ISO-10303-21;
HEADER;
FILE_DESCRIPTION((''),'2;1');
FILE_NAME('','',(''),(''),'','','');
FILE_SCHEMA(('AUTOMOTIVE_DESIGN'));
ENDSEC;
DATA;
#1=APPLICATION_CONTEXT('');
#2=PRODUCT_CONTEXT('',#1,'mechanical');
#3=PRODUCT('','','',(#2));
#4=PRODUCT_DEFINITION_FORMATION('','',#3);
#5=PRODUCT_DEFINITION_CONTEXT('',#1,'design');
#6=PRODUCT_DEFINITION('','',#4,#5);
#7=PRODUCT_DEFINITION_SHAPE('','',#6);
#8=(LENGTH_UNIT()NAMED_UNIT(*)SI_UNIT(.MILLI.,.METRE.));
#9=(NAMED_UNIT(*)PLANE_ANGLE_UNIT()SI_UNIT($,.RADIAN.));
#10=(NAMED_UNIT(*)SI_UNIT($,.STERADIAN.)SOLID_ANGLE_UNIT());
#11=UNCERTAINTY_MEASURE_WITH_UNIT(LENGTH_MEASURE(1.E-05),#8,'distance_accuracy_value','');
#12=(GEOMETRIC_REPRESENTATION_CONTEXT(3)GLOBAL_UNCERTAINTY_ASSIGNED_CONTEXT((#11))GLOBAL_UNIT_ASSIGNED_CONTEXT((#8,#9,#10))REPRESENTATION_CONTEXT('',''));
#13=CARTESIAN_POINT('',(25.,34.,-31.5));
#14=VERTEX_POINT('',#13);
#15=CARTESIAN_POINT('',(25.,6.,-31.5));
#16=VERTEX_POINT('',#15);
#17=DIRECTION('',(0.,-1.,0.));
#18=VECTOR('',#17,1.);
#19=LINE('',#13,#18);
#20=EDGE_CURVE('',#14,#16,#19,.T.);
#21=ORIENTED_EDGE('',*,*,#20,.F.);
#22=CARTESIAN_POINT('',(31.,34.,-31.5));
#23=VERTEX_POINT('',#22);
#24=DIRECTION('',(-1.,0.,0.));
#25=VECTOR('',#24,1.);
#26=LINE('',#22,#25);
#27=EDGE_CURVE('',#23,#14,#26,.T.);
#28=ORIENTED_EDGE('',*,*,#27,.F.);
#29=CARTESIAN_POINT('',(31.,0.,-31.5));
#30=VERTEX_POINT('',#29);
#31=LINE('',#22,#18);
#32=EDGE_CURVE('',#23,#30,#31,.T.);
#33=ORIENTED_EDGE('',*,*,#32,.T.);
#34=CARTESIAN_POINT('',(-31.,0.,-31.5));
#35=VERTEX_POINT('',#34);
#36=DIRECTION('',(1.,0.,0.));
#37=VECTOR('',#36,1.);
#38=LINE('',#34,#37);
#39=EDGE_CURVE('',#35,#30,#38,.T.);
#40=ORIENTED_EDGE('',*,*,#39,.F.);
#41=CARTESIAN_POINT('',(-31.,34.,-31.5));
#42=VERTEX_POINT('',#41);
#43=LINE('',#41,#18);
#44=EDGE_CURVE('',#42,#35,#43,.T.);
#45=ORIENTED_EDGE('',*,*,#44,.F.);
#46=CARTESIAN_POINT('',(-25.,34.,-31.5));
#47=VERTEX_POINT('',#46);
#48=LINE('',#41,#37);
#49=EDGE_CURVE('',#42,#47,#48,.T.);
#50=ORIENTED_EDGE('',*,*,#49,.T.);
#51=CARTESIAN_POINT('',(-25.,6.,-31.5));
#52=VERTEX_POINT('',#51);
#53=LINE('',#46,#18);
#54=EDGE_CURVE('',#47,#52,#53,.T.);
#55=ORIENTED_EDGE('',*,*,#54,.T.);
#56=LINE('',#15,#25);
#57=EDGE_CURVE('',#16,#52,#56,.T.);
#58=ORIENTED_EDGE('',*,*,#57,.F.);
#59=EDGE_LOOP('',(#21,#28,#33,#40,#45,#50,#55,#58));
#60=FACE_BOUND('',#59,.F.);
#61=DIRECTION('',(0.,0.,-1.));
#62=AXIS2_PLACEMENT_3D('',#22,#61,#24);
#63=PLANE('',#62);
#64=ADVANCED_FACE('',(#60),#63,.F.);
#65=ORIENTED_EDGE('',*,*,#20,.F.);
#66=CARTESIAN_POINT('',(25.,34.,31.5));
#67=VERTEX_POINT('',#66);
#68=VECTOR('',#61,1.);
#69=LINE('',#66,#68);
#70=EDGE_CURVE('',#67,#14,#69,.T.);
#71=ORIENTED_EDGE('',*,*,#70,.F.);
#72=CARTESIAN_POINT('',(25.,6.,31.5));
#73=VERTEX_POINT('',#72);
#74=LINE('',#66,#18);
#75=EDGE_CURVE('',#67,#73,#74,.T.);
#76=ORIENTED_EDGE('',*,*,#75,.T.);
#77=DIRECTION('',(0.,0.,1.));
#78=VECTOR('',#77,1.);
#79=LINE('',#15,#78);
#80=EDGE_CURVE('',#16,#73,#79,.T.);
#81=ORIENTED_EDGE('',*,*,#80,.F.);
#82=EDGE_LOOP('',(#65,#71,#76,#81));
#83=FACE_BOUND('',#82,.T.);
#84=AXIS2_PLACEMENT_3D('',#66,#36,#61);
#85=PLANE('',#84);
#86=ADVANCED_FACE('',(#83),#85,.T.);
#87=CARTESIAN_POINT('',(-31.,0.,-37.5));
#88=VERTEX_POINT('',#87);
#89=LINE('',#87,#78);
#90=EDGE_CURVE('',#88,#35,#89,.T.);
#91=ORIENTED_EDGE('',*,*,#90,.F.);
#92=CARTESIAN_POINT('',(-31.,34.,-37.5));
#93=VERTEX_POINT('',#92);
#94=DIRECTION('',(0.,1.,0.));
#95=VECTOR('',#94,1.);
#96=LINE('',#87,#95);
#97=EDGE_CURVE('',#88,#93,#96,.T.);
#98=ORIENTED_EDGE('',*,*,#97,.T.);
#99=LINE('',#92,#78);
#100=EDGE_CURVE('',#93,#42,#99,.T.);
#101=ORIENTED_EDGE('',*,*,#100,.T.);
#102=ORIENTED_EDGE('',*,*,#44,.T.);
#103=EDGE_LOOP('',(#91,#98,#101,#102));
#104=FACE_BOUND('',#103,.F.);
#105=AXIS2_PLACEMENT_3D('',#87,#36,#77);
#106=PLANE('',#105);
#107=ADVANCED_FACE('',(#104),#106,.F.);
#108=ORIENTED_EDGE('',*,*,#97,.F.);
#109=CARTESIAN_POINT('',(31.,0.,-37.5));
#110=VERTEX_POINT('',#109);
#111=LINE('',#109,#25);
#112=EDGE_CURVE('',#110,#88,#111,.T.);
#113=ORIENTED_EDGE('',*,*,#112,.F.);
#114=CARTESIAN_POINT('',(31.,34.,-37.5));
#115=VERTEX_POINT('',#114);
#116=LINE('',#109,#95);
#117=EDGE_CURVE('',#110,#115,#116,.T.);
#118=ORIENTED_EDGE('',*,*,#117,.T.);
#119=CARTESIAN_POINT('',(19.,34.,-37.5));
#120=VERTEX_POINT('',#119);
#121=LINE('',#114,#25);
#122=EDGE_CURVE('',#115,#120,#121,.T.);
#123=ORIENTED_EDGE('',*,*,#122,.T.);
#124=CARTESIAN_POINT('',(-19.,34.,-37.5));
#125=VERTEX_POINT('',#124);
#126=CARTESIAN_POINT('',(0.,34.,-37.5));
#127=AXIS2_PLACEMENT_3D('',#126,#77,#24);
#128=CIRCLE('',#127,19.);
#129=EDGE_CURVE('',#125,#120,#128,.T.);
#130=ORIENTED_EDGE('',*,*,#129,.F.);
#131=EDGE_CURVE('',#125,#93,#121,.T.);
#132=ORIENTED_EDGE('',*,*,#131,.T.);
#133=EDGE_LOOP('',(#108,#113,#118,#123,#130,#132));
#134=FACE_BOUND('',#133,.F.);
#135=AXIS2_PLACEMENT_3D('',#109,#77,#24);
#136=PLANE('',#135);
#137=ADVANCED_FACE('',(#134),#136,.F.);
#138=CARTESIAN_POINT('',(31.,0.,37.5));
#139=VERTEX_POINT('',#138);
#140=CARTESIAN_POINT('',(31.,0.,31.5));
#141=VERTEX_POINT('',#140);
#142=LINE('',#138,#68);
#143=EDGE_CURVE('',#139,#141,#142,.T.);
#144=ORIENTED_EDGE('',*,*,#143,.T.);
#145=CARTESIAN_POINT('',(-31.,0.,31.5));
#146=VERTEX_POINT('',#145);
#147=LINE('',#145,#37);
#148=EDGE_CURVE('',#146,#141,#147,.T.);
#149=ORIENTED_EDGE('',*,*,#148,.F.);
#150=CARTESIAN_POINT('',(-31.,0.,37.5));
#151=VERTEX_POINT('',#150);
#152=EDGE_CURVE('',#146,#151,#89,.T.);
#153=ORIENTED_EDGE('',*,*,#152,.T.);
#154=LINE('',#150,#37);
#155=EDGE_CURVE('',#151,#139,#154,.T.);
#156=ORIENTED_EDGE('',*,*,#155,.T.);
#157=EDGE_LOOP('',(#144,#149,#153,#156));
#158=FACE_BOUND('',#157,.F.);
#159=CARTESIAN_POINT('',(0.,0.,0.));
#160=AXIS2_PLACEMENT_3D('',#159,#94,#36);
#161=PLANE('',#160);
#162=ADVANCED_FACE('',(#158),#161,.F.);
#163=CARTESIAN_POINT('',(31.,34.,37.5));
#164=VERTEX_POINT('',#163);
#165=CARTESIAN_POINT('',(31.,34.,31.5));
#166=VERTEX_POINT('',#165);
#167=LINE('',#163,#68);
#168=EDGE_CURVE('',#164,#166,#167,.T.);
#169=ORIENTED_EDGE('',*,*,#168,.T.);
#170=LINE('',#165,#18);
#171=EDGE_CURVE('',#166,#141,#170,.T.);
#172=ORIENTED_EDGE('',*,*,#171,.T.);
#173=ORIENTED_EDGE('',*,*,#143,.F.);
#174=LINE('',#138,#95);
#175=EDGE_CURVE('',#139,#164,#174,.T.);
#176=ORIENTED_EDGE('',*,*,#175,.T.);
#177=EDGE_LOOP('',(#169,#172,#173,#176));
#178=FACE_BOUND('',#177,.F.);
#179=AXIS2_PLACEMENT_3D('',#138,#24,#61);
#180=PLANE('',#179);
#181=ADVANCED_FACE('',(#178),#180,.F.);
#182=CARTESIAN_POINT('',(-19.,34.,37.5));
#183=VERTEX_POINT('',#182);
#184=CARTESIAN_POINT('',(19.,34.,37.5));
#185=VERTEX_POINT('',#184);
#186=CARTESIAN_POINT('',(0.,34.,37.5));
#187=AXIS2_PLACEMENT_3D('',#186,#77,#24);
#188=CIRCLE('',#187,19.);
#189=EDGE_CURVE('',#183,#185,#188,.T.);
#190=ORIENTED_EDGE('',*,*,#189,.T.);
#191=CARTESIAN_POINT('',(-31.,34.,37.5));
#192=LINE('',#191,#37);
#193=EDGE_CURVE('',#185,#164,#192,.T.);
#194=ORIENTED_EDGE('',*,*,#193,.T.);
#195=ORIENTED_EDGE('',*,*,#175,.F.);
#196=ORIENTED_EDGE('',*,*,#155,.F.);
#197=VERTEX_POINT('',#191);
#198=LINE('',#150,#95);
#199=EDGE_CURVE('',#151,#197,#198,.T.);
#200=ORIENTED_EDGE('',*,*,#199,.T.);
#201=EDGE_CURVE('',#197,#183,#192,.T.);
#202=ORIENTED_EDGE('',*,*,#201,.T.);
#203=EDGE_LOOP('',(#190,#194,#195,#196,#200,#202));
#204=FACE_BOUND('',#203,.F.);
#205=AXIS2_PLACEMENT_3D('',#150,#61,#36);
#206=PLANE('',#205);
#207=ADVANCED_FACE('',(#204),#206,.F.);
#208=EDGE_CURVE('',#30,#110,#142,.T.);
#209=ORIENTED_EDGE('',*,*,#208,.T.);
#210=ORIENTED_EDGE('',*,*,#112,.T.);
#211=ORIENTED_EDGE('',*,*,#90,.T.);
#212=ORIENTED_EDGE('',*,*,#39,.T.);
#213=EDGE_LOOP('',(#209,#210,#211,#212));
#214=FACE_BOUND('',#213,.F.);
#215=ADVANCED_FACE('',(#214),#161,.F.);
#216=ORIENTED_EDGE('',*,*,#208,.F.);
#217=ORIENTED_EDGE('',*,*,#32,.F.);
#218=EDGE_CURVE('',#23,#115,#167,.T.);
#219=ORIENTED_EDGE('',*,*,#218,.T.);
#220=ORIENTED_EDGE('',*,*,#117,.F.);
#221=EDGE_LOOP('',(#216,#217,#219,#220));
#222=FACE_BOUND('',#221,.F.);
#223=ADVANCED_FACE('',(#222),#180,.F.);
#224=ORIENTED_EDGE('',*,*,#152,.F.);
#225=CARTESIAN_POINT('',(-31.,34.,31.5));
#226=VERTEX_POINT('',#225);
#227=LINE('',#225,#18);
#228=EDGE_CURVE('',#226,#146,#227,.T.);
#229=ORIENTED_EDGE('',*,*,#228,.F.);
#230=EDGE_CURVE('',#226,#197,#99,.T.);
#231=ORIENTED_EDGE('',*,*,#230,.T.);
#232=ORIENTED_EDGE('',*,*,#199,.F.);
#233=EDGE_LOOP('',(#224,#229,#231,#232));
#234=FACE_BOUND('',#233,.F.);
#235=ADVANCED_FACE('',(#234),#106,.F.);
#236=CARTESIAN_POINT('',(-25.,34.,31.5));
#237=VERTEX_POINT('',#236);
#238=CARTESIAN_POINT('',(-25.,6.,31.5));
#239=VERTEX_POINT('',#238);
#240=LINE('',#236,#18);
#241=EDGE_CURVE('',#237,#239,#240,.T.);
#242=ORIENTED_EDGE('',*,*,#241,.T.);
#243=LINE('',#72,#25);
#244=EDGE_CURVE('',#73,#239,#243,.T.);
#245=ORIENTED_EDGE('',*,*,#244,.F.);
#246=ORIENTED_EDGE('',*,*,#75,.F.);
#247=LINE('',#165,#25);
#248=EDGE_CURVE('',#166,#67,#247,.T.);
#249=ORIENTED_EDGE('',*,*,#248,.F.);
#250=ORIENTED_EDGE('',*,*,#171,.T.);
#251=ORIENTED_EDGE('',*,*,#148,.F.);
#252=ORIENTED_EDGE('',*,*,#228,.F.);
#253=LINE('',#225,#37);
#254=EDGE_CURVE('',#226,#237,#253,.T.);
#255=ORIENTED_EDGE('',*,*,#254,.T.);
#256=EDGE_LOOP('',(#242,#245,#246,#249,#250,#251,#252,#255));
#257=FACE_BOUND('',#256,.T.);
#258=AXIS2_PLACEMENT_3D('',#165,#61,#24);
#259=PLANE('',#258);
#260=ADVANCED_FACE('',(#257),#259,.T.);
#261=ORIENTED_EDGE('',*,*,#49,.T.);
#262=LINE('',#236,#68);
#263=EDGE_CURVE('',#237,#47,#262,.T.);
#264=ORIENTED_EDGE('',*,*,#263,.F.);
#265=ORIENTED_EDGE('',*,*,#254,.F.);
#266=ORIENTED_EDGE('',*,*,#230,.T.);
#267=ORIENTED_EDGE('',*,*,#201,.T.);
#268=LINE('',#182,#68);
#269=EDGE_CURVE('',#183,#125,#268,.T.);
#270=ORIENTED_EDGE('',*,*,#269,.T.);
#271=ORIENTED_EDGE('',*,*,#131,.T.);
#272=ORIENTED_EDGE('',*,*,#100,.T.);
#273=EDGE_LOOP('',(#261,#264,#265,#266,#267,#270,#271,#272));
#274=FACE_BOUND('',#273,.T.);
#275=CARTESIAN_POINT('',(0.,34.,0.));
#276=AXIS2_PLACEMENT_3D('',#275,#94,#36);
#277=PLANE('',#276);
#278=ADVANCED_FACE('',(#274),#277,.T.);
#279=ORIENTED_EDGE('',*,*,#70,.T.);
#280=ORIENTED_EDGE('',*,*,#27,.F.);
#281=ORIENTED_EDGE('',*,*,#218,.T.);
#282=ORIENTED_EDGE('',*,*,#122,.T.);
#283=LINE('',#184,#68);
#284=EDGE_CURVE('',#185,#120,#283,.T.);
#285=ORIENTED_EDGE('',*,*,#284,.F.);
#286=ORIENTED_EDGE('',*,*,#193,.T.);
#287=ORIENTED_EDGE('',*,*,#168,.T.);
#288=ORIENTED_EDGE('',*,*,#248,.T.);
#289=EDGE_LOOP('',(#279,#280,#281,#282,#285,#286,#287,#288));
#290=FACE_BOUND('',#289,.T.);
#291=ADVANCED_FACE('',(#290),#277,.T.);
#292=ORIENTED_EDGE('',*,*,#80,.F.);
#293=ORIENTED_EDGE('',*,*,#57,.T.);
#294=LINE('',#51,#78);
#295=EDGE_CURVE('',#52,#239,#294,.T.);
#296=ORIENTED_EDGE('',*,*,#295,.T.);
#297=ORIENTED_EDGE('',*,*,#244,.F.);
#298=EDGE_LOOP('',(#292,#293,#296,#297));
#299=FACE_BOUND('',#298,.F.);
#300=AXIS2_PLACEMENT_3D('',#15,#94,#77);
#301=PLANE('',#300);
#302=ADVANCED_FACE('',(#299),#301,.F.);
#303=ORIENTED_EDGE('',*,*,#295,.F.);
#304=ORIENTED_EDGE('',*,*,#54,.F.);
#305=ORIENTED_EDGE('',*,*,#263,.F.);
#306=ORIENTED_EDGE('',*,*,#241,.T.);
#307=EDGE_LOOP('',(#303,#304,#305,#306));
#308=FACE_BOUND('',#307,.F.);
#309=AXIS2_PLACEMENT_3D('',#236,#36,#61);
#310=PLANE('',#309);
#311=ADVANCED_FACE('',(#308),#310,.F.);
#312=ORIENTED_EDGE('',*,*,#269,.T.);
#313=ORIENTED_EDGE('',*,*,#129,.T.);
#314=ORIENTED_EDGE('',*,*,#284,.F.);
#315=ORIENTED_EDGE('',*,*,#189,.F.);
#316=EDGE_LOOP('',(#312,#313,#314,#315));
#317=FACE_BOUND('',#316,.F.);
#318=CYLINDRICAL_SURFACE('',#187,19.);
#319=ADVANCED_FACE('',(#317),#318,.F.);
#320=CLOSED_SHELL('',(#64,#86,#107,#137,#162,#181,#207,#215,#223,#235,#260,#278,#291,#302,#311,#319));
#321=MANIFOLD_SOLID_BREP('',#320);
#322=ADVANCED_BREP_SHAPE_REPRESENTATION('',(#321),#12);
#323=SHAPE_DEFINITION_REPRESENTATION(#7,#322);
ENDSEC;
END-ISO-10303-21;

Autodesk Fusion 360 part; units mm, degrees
sketch "Sketch1" plane through (0, 0, 0) normal (0, 1, 0) x (1, 0, 0)
  line L0 (31, 37.5) -> (-31, 37.5)
  line L1 (-31, 37.5) -> (-31, -37.5)
  line L2 (-31, -37.5) -> (31, -37.5)
  line L3 (31, -37.5) -> (31, 37.5)
extrude "Extrude1" add sketch "Sketch1" along normal blind 34
sketch "Sketch2" plane through (0, 0, 37.5) normal (0, 0, 1) x (-1, 0, 0)
  line L0 (31, 0) -> (-31, 0)
  line L1 (-31, 0) -> (-31, -34)
  line L2 (-31, -34) -> (31, -34)
  line L3 (31, -34) -> (31, 0)
  arc A0 (19, -34) -> (-19, -34) centre (0, -34) ccw
  line L4 (19, -34) -> (-19, -34)
  dimension "d7" = 38
extrude "Extrude2" cut sketch "Sketch2" against normal blind 75 contours L2 A0 L4
sketch "Sketch3" plane through (0, 34, 0) normal (0, 1, 0) x (-1, 0, 0)
  line L0 (19, 37.5) -> (19, -37.5)
  line L1 (19, -37.5) -> (31, -37.5)
  line L2 (31, -37.5) -> (31, 37.5)
  line L3 (31, 37.5) -> (19, 37.5)
  line L4 (31, -37.5) -> (31, -31.5)
  line L5 (31, -31.5) -> (25, -31.5)
  line L6 (31, 37.5) -> (31, 31.5)
  line L7 (31, 31.5) -> (25, 31.5)
  line L8 (25, 31.5) -> (25, -31.5)
  line L9 (0.133, -37.5) -> (0.133, 37.506)
  line L10 (-30.734, -31.5) -> (-24.734, -31.5)
  line L11 (-24.734, 31.5) -> (-24.734, -31.5)
  line L12 (-30.734, 31.5) -> (-24.734, 31.5)
  dimension "d10" = 6
  dimension "d11" = 6
  dimension "d12" = 6
  dimension "d13" = 6
extrude "Extrude3" cut sketch "Sketch3" against normal blind 34 contours L2 L5 L7 L8
sketch "Sketch4" plane through (0, 34, 0) normal (0, 1, 0) x (-1, 0, 0)
  line L0 (-19, -37.5) -> (-19, 37.5)
  line L1 (-19, 37.5) -> (-31, 37.5)
  line L2 (-31, 37.5) -> (-31, -37.5)
  line L3 (-31, -37.5) -> (-19, -37.5)
  line L4 (-31, -37.5) -> (-31, -31.5)
  line L5 (-31, -31.5) -> (-25, -31.5)
  line L6 (-31, 37.5) -> (-31, 31.5)
  line L7 (-31, 31.5) -> (-25, 31.5)
  line L8 (-25, 31.5) -> (-25, -31.5)
  dimension "d16" = 6
  dimension "d17" = 6
  dimension "d18" = 6
  dimension "d19" = 6
extrude "Extrude4" cut sketch "Sketch4" against normal blind 34 contours L2 L5 L7 L8
sketch "Sketch5" plane through (25, 0, 0) normal (1, 0, 0) x (0, 1, 0)
  line L0 (34, -31.5) -> (34, 31.5)
  line L1 (34, 31.5) -> (0, 31.5)
  line L2 (0, 31.5) -> (0, -31.5)
  line L3 (0, -31.5) -> (34, -31.5)
  line L4 (0, -31.5) -> (6, -31.5)
  line L5 (6, -31.5) -> (6, 31.5)
  dimension "d22" = 6
extrude "Extrude5" cut sketch "Sketch5" against normal blind 50 contours L1 L2 L3 L4 L5
